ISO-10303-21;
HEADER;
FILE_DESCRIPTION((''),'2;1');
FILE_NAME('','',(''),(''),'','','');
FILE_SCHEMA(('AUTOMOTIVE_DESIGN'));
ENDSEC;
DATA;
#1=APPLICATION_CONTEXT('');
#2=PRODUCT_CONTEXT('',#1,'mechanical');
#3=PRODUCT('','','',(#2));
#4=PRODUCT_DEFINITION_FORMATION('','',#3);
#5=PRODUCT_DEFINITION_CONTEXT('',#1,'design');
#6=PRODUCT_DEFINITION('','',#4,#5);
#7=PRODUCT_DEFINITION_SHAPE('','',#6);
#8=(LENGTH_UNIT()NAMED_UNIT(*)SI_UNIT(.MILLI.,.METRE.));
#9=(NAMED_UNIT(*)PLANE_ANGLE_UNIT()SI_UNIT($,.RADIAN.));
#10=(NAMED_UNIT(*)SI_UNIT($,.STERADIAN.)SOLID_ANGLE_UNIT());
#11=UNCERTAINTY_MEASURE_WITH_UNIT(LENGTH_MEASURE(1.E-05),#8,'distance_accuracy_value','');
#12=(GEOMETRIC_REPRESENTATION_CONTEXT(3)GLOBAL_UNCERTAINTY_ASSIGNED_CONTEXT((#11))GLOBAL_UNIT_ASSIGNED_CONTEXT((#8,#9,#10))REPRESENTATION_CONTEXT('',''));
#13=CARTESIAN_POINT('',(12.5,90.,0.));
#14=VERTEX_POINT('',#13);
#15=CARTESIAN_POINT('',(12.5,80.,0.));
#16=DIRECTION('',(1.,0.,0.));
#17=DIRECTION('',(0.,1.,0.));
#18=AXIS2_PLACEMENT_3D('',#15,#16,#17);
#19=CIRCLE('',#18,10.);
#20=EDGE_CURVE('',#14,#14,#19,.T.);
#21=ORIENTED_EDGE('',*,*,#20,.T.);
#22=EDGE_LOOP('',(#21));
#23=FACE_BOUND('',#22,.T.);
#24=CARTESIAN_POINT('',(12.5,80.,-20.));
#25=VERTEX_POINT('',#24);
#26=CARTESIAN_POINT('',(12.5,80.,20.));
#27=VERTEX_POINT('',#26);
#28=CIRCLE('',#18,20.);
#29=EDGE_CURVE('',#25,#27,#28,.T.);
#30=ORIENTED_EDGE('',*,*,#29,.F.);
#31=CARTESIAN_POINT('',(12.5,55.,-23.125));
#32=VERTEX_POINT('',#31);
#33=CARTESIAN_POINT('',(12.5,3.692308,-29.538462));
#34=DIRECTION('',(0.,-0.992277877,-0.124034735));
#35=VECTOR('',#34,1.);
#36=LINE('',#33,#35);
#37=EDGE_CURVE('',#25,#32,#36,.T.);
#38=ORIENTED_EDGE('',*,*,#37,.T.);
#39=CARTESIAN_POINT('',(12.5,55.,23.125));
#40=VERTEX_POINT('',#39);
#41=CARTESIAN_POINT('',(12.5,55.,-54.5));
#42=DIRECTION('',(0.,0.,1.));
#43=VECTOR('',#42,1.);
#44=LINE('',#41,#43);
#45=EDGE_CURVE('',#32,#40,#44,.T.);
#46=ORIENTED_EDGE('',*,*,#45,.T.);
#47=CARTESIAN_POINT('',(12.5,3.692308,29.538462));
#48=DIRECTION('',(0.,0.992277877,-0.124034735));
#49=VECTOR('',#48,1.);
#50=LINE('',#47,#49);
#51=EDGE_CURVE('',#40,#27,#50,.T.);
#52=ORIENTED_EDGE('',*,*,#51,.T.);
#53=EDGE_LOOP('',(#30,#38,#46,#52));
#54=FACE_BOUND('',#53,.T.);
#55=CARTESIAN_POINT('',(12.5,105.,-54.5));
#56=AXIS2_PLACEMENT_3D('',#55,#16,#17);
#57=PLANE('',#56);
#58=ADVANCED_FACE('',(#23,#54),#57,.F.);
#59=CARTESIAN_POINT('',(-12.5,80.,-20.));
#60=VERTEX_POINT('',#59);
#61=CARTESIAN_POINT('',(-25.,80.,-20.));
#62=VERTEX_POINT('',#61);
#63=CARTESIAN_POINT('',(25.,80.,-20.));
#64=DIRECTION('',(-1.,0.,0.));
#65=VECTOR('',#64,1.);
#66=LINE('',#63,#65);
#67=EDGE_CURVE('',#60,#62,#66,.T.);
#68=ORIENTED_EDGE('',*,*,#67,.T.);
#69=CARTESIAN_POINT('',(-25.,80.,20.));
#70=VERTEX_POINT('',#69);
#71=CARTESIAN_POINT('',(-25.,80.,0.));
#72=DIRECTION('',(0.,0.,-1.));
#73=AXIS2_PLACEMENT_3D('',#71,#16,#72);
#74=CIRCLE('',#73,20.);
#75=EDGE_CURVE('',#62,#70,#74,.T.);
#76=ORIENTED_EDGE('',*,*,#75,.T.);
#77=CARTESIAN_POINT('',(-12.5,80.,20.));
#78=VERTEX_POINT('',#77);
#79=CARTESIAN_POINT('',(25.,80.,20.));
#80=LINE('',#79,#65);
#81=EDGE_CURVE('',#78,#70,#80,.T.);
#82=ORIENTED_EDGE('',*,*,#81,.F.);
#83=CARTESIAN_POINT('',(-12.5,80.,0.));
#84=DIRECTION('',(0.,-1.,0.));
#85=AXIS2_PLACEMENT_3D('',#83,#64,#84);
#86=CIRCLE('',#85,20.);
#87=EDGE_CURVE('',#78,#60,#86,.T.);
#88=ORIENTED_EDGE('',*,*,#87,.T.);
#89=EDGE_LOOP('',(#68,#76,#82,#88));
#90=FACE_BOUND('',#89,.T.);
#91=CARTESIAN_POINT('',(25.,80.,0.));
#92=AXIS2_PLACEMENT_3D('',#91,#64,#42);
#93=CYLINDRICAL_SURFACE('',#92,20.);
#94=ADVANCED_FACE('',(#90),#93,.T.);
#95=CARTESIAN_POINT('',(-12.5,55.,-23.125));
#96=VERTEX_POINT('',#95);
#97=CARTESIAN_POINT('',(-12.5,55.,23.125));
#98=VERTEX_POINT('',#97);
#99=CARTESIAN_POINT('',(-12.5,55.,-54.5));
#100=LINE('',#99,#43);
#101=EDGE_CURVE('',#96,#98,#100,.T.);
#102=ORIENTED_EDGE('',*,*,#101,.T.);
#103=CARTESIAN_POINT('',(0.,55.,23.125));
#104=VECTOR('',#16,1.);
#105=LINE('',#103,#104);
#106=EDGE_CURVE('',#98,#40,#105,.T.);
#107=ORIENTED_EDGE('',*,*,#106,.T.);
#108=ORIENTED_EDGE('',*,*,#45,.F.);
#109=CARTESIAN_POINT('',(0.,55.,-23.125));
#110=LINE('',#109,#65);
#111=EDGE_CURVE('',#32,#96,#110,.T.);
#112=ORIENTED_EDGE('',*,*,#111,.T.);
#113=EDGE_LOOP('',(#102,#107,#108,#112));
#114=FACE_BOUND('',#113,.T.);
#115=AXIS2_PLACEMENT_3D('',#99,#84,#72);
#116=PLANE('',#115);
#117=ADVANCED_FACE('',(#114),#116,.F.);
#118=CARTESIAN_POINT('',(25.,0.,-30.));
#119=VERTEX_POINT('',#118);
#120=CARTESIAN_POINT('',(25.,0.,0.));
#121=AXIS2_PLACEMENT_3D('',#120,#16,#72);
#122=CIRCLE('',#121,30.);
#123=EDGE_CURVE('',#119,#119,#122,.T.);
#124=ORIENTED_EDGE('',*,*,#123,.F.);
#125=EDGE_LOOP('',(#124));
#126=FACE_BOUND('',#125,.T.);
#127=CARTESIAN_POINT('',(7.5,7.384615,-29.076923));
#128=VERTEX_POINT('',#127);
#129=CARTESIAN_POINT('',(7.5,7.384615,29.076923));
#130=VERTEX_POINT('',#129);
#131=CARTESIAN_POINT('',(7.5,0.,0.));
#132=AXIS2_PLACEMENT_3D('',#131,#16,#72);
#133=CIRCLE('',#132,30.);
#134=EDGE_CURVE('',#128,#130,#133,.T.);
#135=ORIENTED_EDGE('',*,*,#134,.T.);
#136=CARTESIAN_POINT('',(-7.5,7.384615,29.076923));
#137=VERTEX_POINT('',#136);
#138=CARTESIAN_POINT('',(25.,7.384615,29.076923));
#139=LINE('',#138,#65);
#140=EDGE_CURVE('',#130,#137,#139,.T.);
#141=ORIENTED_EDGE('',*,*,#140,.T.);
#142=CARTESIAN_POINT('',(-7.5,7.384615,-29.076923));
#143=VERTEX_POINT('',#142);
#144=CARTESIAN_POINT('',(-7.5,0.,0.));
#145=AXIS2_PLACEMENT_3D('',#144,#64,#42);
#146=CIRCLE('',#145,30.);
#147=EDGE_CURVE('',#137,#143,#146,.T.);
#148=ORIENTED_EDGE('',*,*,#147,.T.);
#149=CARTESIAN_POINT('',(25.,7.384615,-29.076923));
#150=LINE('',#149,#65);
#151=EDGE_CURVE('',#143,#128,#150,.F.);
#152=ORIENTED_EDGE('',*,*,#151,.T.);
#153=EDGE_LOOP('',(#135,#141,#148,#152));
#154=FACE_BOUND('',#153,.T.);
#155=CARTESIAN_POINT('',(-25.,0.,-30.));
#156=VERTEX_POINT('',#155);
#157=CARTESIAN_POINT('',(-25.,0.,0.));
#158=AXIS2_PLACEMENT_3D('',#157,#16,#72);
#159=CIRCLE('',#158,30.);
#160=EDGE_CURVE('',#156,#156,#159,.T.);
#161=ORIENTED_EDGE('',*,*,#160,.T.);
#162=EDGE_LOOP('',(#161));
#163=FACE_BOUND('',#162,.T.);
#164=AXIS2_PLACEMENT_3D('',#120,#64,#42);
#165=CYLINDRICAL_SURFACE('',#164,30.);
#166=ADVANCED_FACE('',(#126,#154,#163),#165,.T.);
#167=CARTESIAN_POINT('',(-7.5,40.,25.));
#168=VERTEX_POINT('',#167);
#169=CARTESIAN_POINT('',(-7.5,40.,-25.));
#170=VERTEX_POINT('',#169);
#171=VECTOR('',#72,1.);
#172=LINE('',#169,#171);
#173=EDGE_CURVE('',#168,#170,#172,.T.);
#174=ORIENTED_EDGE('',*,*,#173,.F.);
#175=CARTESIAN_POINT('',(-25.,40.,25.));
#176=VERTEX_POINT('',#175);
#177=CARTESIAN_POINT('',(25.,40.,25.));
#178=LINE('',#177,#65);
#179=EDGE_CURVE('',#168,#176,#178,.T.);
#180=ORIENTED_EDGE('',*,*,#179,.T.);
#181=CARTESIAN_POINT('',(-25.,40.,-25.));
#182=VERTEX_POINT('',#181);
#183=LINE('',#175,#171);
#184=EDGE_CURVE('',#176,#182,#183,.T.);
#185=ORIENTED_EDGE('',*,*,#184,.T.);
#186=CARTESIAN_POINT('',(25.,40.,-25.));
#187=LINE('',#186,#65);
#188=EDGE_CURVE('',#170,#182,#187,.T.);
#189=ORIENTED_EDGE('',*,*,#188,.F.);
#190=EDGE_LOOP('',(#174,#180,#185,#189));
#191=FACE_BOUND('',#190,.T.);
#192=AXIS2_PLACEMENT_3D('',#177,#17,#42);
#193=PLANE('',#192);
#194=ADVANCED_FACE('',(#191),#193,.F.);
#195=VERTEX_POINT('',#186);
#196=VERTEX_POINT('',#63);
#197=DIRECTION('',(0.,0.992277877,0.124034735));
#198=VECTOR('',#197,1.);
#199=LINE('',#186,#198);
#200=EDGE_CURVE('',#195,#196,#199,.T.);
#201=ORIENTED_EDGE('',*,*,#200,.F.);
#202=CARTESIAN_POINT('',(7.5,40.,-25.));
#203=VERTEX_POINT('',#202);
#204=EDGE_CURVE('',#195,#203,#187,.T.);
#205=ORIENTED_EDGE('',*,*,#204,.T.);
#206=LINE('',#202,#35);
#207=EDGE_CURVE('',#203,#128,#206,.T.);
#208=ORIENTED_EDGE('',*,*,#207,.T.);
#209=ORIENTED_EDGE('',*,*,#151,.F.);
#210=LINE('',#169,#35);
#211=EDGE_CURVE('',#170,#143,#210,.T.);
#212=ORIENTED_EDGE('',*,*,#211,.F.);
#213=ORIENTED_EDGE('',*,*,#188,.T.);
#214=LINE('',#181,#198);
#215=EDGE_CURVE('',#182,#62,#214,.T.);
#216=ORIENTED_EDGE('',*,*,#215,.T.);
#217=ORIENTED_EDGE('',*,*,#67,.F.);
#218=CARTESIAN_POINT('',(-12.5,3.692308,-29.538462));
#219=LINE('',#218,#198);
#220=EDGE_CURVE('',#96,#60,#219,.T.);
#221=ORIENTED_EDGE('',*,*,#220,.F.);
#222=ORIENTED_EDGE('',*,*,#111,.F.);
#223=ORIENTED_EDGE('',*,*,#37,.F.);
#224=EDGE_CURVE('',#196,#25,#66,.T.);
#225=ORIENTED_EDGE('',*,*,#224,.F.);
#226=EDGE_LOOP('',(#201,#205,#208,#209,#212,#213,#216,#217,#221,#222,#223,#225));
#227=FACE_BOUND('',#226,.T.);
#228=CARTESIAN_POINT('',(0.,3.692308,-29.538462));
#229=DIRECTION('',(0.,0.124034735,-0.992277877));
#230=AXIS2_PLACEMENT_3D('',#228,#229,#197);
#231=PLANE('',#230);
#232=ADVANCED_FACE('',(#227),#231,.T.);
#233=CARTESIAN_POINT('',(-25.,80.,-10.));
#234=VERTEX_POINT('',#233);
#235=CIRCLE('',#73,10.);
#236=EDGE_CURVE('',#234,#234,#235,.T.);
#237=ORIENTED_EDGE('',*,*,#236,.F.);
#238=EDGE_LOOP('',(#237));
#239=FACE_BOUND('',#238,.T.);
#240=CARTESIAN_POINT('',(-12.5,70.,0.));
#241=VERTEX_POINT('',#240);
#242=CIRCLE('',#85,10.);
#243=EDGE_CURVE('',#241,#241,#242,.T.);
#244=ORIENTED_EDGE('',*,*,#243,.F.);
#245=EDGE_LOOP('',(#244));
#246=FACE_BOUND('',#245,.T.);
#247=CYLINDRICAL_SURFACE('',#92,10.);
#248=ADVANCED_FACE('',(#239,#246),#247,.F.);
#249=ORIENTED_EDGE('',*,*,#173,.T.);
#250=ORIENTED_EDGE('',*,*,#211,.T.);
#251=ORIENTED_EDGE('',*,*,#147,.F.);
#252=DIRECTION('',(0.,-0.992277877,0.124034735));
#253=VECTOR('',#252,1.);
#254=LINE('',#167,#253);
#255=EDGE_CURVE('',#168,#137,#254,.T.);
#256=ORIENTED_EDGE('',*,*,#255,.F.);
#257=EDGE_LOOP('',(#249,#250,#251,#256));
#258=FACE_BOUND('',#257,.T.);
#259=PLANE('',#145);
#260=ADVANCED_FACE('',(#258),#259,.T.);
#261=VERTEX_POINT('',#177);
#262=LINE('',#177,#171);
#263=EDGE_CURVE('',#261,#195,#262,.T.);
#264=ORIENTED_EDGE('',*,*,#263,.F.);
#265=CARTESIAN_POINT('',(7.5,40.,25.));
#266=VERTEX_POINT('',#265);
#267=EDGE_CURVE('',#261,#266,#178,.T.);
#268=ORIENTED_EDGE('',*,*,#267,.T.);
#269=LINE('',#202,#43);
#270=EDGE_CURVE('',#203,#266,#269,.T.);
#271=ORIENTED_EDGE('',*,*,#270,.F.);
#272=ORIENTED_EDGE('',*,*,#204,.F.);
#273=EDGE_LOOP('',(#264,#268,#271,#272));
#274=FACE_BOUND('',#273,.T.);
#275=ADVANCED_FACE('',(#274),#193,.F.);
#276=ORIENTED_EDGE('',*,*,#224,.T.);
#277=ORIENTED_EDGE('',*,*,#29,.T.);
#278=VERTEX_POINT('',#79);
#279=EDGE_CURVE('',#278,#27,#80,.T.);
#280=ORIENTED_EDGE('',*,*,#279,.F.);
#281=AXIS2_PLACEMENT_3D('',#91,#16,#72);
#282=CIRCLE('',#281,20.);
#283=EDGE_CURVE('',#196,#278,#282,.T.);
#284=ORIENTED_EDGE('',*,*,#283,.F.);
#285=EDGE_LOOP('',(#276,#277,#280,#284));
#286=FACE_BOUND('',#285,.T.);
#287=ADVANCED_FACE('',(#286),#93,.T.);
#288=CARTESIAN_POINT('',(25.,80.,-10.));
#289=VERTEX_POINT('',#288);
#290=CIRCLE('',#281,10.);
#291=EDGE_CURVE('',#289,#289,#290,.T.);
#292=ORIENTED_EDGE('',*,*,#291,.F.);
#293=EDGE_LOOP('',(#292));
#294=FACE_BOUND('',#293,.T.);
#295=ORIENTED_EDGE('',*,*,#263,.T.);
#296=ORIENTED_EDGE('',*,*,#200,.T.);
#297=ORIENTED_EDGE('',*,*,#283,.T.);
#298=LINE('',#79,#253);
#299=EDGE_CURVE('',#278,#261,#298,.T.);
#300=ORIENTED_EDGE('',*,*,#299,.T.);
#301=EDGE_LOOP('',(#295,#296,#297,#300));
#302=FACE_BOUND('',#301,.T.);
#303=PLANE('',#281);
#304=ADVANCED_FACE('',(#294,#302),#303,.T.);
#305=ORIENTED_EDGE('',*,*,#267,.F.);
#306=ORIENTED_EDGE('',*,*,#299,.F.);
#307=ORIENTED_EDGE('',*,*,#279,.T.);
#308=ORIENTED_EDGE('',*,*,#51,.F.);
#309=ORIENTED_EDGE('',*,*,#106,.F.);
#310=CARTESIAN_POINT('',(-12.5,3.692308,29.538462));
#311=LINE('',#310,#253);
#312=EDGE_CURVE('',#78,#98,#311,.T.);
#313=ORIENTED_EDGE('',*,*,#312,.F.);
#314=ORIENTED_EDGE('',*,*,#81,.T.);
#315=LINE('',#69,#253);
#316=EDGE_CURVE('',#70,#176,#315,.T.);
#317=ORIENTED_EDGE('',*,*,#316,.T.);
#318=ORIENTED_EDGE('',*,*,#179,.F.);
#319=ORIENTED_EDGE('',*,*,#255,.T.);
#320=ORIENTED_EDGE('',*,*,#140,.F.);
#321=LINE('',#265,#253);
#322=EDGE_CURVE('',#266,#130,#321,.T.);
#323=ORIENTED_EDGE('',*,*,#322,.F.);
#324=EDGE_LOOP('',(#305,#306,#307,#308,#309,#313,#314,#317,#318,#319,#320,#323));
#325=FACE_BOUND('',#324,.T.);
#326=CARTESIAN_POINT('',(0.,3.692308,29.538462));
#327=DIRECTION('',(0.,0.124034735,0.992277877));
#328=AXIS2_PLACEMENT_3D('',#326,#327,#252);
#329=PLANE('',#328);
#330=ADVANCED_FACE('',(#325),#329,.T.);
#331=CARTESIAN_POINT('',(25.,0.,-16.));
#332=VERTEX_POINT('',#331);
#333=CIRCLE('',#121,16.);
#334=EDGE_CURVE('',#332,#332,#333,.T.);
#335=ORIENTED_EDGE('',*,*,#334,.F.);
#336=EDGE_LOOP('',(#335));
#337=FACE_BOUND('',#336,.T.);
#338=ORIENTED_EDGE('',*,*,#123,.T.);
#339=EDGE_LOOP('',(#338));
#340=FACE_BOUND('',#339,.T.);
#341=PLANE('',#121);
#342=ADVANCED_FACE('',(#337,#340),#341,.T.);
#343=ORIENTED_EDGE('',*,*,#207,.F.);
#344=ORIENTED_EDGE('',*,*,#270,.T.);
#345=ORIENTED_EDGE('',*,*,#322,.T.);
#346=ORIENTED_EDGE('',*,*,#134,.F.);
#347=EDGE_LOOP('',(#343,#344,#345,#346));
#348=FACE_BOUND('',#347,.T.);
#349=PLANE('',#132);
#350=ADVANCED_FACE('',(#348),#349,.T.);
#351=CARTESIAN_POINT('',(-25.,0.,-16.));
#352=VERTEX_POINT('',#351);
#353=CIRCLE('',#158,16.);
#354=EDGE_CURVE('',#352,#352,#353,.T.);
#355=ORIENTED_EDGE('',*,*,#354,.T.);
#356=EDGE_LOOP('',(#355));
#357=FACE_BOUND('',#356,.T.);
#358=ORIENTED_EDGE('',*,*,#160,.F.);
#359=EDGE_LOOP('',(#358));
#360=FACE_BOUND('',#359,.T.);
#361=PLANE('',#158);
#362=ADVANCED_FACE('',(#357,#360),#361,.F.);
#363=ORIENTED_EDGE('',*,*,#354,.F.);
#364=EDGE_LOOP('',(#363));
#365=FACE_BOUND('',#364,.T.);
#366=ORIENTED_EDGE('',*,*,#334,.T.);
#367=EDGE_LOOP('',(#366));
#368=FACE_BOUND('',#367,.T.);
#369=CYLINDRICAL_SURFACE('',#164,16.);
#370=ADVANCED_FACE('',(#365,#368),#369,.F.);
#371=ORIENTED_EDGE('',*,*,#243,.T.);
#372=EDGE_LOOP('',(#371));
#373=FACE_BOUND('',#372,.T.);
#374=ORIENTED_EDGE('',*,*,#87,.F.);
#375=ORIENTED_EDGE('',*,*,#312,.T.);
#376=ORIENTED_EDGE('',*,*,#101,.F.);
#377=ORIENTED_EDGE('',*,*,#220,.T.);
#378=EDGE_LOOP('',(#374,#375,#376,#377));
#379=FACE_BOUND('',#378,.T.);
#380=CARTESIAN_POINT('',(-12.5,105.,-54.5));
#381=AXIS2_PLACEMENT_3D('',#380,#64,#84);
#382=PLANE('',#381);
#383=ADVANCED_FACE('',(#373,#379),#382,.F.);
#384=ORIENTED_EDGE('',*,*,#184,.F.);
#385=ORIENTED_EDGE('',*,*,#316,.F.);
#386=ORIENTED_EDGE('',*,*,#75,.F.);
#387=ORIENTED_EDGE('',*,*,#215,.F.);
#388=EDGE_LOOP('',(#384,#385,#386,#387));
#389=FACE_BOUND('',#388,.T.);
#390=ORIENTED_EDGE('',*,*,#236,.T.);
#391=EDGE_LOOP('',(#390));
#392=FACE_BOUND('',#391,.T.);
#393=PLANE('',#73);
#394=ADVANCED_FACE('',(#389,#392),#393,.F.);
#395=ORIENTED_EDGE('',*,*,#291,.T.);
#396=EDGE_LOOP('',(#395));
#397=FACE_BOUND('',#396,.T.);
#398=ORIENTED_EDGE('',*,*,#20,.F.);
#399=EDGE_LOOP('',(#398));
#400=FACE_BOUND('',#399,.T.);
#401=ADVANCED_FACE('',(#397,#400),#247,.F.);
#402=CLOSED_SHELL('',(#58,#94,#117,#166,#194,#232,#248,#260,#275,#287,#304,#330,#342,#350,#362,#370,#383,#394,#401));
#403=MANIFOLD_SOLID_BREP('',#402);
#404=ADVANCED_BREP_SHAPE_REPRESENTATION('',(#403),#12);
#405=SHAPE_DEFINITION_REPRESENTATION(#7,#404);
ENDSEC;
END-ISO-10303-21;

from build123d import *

# Parameters (mm, degrees)
SKETCH1_R           = 30
SKETCH1_R_2         = 16
BOSS_EXTRUDE1_DEPTH = 25
SKETCH4_R           = 10
BOSS_EXTRUDE3_DEPTH = 25
SKETCH7_W           = 15
SKETCH7_H           = 50
SKETCH8_W           = 15
SKETCH8_H           = 60
SKETCH9_R           = 16
CUT_EXTRUDE1_DEPTH  = 50
SKETCH11_W          = 25
SKETCH11_H          = 50
CUT_EXTRUDE3_DEPTH  = 54.5


with BuildPart() as part:
    # Sketch1 → Boss-Extrude1 (new body, symmetric)
    with BuildSketch(Plane(origin=(0, 0, 0), x_dir=(0, 0, -1), z_dir=(1, 0, 0))):
        Circle(SKETCH1_R)
        Circle(SKETCH1_R_2, mode=Mode.SUBTRACT)
    extrude(amount=BOSS_EXTRUDE1_DEPTH, both=True)



with BuildPart() as body_2:
    # Sketch4 → Boss-Extrude3 (new body, symmetric)
    with BuildSketch(Plane(origin=(0, 0, 0), x_dir=(0, 0, -1), z_dir=(1, 0, 0))):
        with BuildLine():
            Line((-20, 80), (-25, 40))
            Line((-25, 40), (25, 40))
            Line((25, 40), (20, 80))
            ThreePointArc((20, 80), (0, 100), (-20, 80))
        make_face()
        with Locations((0, 80)):
            Circle(SKETCH4_R, mode=Mode.SUBTRACT)
    extrude(amount=BOSS_EXTRUDE3_DEPTH, both=True)


with BuildPart() as part_1:
    add(part.part)

    add(body_2.part)  # Loft1 merges body 2
    # Sketch7 → Loft1 section 0
    with BuildSketch(Plane.XZ.offset(-40)):
        Rectangle(SKETCH7_W, SKETCH7_H)
    # Sketch8 → Loft1 section 1
    with BuildSketch(Plane(origin=(0, 0, 0), x_dir=(1, 0, 0), z_dir=(0, 1, 0))):
        Rectangle(SKETCH8_W, SKETCH8_H)
    loft()

    # Sketch9 → Cut-Extrude1 (cut)
    with BuildSketch(Plane(origin=(25, 0, 0), x_dir=(0, 0, -1), z_dir=(1, 0, 0))):
        Circle(SKETCH9_R)
    extrude(amount=-CUT_EXTRUDE1_DEPTH, mode=Mode.SUBTRACT)

    # Sketch11 → Cut-Extrude3 (cut, symmetric)
    with BuildSketch(Plane.XY):
        with Locations((0, 80)):
            Rectangle(SKETCH11_W, SKETCH11_H)
    extrude(amount=CUT_EXTRUDE3_DEPTH, both=True, mode=Mode.SUBTRACT)


solid = part_1.part
